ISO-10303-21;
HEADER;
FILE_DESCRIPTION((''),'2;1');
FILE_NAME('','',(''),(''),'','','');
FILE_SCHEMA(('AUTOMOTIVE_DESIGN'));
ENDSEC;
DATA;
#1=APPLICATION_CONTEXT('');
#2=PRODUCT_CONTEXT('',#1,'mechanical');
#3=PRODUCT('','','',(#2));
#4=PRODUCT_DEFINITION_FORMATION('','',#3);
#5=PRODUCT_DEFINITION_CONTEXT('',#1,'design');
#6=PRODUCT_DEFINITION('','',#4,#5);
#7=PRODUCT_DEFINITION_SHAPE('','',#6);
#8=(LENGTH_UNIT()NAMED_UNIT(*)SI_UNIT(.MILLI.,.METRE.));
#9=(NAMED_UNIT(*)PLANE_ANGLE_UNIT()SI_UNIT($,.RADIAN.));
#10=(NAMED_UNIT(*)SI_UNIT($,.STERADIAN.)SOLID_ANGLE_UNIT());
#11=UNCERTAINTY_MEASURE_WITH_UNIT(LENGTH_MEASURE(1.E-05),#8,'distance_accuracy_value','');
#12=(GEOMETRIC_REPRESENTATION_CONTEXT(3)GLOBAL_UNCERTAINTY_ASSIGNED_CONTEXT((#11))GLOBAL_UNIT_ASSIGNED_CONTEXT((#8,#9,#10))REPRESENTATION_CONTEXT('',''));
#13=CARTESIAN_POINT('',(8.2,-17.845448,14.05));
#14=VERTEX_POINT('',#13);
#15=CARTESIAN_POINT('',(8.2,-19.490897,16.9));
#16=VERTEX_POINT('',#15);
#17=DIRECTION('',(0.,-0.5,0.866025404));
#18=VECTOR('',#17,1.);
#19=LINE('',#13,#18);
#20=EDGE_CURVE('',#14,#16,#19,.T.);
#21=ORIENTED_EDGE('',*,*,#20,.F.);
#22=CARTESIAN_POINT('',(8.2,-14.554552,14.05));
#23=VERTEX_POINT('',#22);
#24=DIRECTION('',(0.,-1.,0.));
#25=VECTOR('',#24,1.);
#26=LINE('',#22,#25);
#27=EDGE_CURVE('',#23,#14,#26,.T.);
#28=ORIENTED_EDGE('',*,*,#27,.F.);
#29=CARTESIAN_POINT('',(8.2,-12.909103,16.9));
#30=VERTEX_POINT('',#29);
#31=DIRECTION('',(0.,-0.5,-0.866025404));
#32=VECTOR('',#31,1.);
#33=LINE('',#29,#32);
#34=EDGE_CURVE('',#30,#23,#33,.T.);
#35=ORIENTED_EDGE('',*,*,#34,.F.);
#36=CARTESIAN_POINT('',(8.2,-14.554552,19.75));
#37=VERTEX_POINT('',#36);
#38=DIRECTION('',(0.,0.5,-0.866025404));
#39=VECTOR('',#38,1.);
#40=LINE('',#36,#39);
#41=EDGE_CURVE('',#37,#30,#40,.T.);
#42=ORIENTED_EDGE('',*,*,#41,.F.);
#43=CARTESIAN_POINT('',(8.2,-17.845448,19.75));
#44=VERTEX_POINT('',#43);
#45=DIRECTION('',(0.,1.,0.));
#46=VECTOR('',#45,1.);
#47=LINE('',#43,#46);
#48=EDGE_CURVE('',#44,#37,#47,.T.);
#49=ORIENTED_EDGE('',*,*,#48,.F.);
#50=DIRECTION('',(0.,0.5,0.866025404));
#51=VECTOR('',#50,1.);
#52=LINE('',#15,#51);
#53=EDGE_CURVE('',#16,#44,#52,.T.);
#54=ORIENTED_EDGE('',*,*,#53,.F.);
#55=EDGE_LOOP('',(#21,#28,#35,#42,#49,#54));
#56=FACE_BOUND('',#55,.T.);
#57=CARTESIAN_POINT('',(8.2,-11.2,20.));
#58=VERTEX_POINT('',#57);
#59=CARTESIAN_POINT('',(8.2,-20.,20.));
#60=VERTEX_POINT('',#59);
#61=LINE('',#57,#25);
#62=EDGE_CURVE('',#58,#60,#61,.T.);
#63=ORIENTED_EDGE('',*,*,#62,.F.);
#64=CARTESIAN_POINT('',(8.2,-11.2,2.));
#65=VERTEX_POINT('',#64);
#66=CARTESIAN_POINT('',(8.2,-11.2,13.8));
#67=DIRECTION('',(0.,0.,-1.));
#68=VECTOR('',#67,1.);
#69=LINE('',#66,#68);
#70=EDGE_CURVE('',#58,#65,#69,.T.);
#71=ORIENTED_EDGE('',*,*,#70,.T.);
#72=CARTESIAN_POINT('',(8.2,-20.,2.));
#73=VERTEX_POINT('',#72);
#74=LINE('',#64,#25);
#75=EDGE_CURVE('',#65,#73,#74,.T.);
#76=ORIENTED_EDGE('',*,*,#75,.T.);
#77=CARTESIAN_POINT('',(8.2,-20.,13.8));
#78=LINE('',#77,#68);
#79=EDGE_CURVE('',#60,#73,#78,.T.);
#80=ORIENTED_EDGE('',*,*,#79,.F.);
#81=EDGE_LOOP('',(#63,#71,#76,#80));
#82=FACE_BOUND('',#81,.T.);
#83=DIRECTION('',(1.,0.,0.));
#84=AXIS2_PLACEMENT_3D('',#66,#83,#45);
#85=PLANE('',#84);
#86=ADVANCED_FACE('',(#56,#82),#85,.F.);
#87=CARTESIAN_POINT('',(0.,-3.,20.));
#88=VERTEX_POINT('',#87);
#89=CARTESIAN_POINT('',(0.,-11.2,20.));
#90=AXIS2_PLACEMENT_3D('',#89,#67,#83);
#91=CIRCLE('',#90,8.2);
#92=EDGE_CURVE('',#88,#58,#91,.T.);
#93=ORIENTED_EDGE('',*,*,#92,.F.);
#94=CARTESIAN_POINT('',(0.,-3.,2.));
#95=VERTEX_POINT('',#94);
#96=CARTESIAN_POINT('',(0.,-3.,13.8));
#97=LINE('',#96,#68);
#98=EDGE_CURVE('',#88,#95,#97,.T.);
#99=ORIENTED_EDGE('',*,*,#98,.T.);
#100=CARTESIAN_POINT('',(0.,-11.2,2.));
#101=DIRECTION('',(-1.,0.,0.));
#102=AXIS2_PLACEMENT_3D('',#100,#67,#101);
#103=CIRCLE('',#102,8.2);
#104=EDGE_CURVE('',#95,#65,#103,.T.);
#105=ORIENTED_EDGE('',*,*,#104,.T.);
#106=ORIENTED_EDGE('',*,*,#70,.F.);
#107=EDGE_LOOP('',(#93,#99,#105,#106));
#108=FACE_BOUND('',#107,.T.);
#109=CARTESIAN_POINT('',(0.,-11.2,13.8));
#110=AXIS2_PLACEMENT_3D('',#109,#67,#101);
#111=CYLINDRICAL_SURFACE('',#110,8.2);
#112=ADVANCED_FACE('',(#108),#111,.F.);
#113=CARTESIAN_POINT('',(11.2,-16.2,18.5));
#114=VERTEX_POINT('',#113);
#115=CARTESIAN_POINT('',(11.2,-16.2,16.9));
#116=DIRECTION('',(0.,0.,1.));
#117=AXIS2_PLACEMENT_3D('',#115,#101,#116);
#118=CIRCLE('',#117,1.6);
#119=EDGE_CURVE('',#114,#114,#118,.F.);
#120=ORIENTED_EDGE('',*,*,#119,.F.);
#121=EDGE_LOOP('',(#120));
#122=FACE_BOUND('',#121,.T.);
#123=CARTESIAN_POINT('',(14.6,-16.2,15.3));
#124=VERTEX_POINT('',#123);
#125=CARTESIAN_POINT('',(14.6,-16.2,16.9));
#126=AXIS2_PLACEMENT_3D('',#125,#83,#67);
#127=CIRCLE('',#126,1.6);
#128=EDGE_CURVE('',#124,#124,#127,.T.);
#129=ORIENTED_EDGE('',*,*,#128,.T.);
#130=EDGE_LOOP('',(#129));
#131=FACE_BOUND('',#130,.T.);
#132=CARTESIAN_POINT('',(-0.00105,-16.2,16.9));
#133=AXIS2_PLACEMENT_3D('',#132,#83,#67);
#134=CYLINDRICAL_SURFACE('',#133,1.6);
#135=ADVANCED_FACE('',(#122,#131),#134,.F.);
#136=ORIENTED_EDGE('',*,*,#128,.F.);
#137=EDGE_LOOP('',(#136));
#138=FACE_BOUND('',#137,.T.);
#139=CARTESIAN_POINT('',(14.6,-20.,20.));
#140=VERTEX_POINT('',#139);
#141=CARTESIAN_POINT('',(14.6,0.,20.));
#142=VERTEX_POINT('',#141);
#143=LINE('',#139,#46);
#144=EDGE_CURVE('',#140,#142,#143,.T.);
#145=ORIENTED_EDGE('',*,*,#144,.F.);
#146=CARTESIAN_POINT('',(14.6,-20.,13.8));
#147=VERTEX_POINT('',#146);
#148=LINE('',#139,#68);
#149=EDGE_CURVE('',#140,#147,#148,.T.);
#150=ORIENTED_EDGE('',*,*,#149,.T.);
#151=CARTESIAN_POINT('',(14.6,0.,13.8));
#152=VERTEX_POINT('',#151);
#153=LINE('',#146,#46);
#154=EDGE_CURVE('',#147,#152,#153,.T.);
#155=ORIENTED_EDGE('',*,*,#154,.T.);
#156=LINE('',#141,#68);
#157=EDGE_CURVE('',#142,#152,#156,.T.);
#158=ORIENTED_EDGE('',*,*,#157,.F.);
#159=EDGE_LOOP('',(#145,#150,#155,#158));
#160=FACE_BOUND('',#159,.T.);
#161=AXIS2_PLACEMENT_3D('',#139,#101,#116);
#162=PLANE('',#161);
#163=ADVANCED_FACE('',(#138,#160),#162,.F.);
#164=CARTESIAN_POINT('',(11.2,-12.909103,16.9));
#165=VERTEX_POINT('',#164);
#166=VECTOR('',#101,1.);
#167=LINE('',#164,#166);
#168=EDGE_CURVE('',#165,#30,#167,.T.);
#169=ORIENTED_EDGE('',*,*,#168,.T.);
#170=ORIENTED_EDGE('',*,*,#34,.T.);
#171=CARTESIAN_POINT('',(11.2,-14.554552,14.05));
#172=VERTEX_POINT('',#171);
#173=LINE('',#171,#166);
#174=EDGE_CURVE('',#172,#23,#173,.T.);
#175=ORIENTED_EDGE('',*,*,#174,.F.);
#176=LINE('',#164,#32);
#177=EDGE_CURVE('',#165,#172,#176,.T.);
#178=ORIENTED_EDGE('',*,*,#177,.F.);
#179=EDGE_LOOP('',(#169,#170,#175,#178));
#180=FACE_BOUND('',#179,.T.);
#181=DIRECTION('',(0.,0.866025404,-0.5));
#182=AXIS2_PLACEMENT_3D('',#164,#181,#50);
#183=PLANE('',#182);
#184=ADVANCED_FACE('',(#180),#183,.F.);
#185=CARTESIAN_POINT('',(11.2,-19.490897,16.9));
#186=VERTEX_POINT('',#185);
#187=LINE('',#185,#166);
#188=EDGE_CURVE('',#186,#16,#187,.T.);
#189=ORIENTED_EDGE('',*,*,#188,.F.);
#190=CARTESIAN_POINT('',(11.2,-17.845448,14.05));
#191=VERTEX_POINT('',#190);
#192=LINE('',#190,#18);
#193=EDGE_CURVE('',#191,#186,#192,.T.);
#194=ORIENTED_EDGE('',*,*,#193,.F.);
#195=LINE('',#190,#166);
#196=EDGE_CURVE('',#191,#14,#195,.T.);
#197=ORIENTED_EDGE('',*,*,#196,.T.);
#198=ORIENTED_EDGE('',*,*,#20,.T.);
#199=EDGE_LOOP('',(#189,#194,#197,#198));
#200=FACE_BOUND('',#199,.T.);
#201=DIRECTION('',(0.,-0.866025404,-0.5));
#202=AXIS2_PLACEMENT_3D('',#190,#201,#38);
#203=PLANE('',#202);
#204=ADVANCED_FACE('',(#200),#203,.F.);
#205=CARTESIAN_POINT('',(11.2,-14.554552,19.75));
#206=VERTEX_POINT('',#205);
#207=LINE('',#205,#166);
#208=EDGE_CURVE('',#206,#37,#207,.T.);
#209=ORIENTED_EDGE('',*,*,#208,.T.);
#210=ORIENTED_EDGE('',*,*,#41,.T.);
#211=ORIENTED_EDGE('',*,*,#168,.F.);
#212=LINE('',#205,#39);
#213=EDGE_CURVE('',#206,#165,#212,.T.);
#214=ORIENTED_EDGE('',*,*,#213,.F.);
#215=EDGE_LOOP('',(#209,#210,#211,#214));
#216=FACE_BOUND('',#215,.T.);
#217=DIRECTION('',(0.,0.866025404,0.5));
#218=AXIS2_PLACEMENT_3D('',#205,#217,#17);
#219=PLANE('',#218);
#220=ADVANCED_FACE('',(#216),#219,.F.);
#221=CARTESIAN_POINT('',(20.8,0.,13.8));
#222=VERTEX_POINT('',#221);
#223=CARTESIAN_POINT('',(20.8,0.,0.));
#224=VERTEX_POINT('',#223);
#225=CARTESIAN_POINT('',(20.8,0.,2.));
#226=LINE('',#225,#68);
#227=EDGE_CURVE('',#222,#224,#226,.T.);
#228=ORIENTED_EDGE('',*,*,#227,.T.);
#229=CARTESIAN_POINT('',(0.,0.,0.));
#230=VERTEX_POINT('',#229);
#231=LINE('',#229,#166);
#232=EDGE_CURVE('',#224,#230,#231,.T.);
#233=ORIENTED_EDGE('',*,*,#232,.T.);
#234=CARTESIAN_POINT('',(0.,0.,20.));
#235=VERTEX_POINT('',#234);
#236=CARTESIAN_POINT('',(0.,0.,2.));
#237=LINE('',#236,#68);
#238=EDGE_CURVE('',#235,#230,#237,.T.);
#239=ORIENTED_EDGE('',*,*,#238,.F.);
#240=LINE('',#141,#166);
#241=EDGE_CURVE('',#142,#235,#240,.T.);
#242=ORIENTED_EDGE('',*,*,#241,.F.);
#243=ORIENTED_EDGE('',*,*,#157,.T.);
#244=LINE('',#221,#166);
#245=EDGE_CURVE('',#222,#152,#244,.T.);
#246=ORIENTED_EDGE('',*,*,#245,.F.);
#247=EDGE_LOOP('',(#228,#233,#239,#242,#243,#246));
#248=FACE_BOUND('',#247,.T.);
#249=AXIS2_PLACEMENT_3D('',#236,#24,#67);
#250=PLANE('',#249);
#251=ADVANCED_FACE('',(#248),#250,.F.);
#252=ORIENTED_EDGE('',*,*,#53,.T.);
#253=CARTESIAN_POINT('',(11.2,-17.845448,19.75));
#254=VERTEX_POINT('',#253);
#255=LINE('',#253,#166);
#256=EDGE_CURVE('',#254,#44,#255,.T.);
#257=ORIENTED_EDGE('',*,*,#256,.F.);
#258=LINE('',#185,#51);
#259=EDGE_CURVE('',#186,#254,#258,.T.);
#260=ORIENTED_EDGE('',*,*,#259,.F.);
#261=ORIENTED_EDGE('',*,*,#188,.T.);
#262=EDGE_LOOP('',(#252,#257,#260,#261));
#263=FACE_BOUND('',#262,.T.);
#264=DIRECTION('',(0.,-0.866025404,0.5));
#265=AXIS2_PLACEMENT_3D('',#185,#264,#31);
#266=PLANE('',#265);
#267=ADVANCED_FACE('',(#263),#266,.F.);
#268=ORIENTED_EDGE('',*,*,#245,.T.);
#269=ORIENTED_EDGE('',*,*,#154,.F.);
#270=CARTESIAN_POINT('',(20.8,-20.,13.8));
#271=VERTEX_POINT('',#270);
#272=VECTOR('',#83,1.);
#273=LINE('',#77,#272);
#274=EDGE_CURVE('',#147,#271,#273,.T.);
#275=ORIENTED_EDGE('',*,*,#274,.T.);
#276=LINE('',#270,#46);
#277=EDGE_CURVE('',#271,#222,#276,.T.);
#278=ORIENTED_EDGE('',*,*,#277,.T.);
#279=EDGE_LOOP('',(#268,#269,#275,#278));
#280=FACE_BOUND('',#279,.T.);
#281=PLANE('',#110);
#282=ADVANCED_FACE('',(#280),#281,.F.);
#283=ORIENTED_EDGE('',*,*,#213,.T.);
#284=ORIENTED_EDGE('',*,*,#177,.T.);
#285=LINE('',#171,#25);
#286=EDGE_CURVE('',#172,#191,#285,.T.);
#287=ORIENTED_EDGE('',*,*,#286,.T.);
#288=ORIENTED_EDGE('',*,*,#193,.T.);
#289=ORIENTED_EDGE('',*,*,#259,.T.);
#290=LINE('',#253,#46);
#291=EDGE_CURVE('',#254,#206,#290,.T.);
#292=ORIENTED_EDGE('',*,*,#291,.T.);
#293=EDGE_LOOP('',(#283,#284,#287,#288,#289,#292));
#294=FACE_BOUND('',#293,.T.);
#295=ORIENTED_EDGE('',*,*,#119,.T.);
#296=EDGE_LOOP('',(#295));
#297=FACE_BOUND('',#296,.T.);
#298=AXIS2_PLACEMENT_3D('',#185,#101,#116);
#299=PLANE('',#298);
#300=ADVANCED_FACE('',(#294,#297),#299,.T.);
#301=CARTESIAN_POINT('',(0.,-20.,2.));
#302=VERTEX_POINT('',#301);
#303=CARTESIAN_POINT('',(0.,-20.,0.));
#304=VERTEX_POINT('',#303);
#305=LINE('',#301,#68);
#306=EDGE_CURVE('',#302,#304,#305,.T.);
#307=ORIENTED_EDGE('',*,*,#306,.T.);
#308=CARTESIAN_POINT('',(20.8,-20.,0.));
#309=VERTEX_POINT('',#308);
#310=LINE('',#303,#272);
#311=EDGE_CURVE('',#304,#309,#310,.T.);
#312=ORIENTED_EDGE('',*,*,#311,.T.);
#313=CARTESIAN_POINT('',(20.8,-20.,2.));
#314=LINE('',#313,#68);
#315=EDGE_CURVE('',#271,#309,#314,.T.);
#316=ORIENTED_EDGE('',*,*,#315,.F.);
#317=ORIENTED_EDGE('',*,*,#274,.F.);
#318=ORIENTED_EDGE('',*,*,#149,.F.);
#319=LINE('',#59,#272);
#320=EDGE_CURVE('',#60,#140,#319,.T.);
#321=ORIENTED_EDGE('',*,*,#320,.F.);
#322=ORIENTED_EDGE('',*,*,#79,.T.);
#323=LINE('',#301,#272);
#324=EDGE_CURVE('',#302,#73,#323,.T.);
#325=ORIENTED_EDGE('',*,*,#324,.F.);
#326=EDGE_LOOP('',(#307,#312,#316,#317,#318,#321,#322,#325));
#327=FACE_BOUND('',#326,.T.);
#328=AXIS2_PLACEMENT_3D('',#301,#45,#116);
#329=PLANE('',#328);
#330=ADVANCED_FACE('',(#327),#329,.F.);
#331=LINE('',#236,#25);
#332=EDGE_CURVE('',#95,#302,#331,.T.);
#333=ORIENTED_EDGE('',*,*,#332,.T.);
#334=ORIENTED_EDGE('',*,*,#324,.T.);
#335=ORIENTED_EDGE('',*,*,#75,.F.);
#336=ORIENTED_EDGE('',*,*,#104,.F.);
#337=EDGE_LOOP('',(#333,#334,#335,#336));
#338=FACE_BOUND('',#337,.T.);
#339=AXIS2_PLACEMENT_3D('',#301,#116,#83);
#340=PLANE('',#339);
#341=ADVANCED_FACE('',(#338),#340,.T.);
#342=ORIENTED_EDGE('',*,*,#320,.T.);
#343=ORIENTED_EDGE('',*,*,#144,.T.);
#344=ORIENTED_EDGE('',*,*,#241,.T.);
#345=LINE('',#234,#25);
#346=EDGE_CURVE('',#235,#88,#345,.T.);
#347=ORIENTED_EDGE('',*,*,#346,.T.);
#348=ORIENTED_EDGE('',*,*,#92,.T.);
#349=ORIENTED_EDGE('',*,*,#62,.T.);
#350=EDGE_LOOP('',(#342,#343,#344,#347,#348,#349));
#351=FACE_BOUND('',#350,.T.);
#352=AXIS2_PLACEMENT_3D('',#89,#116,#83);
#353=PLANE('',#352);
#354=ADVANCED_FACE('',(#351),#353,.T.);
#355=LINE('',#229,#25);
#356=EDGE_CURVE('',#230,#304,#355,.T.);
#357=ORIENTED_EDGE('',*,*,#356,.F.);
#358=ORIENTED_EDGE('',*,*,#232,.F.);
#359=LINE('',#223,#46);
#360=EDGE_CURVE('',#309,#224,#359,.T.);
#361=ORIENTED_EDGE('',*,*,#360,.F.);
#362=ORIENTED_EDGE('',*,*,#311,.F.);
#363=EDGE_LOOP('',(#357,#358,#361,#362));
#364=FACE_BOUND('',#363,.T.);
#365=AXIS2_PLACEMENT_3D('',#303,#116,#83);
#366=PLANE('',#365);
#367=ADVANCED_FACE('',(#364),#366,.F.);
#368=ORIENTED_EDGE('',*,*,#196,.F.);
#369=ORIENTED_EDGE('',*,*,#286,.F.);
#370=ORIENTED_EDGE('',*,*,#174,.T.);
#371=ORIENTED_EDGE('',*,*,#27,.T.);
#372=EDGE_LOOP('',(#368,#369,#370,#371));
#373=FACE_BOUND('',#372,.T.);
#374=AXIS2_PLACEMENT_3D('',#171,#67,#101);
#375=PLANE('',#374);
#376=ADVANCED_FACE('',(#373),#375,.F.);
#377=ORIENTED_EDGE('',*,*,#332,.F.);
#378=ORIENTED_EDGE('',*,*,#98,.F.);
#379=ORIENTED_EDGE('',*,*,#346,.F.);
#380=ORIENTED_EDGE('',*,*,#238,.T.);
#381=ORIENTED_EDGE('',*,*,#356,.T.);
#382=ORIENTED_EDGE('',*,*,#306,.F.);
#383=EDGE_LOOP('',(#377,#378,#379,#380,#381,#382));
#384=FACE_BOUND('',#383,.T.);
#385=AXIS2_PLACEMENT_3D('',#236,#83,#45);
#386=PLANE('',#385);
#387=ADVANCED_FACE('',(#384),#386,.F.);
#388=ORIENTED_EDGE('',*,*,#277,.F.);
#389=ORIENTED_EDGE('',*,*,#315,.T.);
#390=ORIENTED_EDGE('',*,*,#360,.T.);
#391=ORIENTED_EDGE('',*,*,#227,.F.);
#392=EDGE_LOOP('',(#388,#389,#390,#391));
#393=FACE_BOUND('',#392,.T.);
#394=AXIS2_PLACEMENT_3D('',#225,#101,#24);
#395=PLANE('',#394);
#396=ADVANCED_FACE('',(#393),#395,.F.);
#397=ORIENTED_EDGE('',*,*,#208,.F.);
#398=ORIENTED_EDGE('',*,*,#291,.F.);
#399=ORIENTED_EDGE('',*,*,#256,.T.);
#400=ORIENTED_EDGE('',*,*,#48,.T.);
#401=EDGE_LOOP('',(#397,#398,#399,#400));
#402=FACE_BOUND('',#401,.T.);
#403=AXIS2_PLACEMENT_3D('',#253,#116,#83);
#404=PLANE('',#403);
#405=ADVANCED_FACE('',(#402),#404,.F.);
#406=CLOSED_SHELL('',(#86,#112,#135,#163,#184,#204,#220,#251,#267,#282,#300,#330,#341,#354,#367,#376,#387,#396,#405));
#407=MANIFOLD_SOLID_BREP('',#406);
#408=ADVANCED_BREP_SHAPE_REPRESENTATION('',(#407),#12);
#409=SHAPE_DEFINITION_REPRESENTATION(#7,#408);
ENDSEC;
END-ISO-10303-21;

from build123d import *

# Parameters (mm, degrees)
CROQUIS1_W              = 20.8
CROQUIS1_H              = 20
SALIENTE_EXTRUIR1_DEPTH = 2
SALIENTE_EXTRUIR2_DEPTH = 11.8
SALIENTE_EXTRUIR3_DEPTH = 6.2
CORTAR_EXTRUIR1_REACH   = 16.6
CROQUIS4_R              = 1.6
CORTAR_EXTRUIR2_DEPTH   = 3


with BuildPart() as part:
    # Croquis1 → Saliente-Extruir1 (new body)
    with BuildSketch(Plane.XY):
        with Locations((10.4, -10)):
            Rectangle(CROQUIS1_W, CROQUIS1_H)
    extrude(amount=SALIENTE_EXTRUIR1_DEPTH)

    # Croquis2 → Saliente-Extruir2 (add)
    with BuildSketch(Plane.XY.offset(2)):
        with BuildLine():
            Line((8.2, -11.2), (8.2, -20))
            Line((8.2, -20), (20.8, -20))
            Line((20.8, -20), (20.8, 0))
            Line((20.8, 0), (0, 0))
            Line((0, 0), (0, -3))
            ThreePointArc((0, -3), (5.798275606, -5.401724394), (8.2, -11.2))
        make_face()
    extrude(amount=SALIENTE_EXTRUIR2_DEPTH)

    # Croquis3 → Saliente-Extruir3 (add)
    with BuildSketch(Plane.XY.offset(13.8)):
        with BuildLine():
            Line((14.6, -20), (14.6, 0))
            Line((14.6, 0), (0, 0))
            Line((0, 0), (0, -3))
            ThreePointArc((0, -3), (5.798275606, -5.401724394), (8.2, -11.2))
            Line((8.2, -11.2), (8.2, -20))
            Line((8.2, -20), (14.6, -20))
        make_face()
    extrude(amount=SALIENTE_EXTRUIR3_DEPTH)

    # Croquis4 → Cortar-Extruir1 (cut, up to next)
    with BuildSketch(Plane(origin=(14.6, 0, 0), x_dir=(0, 0, -1), z_dir=(1, 0, 0)), mode=Mode.PRIVATE) as cortar_extruir1_sk1:
        with Locations((-16.9, -16.2)):
            Circle(CROQUIS4_R)
    cortar_extruir1_tool1 = extrude(cortar_extruir1_sk1.sketch, amount=-CORTAR_EXTRUIR1_REACH, mode=Mode.PRIVATE) & part.part
    add(cortar_extruir1_tool1.solids().sort_by_distance((14.6, -16.2, 16.9))[0], mode=Mode.SUBTRACT)

    # Croquis5 → Cortar-Extruir2 (cut)
    with BuildSketch(Plane.ZY.offset(-8.2)):
        Polygon((16.9, -19.490896534), (19.75, -17.845448267), (19.75, -14.554551733), (16.9, -12.909103466), (14.05, -14.554551733), (14.05, -17.845448267), align=None)
    extrude(amount=-CORTAR_EXTRUIR2_DEPTH, mode=Mode.SUBTRACT)


solid = part.part
